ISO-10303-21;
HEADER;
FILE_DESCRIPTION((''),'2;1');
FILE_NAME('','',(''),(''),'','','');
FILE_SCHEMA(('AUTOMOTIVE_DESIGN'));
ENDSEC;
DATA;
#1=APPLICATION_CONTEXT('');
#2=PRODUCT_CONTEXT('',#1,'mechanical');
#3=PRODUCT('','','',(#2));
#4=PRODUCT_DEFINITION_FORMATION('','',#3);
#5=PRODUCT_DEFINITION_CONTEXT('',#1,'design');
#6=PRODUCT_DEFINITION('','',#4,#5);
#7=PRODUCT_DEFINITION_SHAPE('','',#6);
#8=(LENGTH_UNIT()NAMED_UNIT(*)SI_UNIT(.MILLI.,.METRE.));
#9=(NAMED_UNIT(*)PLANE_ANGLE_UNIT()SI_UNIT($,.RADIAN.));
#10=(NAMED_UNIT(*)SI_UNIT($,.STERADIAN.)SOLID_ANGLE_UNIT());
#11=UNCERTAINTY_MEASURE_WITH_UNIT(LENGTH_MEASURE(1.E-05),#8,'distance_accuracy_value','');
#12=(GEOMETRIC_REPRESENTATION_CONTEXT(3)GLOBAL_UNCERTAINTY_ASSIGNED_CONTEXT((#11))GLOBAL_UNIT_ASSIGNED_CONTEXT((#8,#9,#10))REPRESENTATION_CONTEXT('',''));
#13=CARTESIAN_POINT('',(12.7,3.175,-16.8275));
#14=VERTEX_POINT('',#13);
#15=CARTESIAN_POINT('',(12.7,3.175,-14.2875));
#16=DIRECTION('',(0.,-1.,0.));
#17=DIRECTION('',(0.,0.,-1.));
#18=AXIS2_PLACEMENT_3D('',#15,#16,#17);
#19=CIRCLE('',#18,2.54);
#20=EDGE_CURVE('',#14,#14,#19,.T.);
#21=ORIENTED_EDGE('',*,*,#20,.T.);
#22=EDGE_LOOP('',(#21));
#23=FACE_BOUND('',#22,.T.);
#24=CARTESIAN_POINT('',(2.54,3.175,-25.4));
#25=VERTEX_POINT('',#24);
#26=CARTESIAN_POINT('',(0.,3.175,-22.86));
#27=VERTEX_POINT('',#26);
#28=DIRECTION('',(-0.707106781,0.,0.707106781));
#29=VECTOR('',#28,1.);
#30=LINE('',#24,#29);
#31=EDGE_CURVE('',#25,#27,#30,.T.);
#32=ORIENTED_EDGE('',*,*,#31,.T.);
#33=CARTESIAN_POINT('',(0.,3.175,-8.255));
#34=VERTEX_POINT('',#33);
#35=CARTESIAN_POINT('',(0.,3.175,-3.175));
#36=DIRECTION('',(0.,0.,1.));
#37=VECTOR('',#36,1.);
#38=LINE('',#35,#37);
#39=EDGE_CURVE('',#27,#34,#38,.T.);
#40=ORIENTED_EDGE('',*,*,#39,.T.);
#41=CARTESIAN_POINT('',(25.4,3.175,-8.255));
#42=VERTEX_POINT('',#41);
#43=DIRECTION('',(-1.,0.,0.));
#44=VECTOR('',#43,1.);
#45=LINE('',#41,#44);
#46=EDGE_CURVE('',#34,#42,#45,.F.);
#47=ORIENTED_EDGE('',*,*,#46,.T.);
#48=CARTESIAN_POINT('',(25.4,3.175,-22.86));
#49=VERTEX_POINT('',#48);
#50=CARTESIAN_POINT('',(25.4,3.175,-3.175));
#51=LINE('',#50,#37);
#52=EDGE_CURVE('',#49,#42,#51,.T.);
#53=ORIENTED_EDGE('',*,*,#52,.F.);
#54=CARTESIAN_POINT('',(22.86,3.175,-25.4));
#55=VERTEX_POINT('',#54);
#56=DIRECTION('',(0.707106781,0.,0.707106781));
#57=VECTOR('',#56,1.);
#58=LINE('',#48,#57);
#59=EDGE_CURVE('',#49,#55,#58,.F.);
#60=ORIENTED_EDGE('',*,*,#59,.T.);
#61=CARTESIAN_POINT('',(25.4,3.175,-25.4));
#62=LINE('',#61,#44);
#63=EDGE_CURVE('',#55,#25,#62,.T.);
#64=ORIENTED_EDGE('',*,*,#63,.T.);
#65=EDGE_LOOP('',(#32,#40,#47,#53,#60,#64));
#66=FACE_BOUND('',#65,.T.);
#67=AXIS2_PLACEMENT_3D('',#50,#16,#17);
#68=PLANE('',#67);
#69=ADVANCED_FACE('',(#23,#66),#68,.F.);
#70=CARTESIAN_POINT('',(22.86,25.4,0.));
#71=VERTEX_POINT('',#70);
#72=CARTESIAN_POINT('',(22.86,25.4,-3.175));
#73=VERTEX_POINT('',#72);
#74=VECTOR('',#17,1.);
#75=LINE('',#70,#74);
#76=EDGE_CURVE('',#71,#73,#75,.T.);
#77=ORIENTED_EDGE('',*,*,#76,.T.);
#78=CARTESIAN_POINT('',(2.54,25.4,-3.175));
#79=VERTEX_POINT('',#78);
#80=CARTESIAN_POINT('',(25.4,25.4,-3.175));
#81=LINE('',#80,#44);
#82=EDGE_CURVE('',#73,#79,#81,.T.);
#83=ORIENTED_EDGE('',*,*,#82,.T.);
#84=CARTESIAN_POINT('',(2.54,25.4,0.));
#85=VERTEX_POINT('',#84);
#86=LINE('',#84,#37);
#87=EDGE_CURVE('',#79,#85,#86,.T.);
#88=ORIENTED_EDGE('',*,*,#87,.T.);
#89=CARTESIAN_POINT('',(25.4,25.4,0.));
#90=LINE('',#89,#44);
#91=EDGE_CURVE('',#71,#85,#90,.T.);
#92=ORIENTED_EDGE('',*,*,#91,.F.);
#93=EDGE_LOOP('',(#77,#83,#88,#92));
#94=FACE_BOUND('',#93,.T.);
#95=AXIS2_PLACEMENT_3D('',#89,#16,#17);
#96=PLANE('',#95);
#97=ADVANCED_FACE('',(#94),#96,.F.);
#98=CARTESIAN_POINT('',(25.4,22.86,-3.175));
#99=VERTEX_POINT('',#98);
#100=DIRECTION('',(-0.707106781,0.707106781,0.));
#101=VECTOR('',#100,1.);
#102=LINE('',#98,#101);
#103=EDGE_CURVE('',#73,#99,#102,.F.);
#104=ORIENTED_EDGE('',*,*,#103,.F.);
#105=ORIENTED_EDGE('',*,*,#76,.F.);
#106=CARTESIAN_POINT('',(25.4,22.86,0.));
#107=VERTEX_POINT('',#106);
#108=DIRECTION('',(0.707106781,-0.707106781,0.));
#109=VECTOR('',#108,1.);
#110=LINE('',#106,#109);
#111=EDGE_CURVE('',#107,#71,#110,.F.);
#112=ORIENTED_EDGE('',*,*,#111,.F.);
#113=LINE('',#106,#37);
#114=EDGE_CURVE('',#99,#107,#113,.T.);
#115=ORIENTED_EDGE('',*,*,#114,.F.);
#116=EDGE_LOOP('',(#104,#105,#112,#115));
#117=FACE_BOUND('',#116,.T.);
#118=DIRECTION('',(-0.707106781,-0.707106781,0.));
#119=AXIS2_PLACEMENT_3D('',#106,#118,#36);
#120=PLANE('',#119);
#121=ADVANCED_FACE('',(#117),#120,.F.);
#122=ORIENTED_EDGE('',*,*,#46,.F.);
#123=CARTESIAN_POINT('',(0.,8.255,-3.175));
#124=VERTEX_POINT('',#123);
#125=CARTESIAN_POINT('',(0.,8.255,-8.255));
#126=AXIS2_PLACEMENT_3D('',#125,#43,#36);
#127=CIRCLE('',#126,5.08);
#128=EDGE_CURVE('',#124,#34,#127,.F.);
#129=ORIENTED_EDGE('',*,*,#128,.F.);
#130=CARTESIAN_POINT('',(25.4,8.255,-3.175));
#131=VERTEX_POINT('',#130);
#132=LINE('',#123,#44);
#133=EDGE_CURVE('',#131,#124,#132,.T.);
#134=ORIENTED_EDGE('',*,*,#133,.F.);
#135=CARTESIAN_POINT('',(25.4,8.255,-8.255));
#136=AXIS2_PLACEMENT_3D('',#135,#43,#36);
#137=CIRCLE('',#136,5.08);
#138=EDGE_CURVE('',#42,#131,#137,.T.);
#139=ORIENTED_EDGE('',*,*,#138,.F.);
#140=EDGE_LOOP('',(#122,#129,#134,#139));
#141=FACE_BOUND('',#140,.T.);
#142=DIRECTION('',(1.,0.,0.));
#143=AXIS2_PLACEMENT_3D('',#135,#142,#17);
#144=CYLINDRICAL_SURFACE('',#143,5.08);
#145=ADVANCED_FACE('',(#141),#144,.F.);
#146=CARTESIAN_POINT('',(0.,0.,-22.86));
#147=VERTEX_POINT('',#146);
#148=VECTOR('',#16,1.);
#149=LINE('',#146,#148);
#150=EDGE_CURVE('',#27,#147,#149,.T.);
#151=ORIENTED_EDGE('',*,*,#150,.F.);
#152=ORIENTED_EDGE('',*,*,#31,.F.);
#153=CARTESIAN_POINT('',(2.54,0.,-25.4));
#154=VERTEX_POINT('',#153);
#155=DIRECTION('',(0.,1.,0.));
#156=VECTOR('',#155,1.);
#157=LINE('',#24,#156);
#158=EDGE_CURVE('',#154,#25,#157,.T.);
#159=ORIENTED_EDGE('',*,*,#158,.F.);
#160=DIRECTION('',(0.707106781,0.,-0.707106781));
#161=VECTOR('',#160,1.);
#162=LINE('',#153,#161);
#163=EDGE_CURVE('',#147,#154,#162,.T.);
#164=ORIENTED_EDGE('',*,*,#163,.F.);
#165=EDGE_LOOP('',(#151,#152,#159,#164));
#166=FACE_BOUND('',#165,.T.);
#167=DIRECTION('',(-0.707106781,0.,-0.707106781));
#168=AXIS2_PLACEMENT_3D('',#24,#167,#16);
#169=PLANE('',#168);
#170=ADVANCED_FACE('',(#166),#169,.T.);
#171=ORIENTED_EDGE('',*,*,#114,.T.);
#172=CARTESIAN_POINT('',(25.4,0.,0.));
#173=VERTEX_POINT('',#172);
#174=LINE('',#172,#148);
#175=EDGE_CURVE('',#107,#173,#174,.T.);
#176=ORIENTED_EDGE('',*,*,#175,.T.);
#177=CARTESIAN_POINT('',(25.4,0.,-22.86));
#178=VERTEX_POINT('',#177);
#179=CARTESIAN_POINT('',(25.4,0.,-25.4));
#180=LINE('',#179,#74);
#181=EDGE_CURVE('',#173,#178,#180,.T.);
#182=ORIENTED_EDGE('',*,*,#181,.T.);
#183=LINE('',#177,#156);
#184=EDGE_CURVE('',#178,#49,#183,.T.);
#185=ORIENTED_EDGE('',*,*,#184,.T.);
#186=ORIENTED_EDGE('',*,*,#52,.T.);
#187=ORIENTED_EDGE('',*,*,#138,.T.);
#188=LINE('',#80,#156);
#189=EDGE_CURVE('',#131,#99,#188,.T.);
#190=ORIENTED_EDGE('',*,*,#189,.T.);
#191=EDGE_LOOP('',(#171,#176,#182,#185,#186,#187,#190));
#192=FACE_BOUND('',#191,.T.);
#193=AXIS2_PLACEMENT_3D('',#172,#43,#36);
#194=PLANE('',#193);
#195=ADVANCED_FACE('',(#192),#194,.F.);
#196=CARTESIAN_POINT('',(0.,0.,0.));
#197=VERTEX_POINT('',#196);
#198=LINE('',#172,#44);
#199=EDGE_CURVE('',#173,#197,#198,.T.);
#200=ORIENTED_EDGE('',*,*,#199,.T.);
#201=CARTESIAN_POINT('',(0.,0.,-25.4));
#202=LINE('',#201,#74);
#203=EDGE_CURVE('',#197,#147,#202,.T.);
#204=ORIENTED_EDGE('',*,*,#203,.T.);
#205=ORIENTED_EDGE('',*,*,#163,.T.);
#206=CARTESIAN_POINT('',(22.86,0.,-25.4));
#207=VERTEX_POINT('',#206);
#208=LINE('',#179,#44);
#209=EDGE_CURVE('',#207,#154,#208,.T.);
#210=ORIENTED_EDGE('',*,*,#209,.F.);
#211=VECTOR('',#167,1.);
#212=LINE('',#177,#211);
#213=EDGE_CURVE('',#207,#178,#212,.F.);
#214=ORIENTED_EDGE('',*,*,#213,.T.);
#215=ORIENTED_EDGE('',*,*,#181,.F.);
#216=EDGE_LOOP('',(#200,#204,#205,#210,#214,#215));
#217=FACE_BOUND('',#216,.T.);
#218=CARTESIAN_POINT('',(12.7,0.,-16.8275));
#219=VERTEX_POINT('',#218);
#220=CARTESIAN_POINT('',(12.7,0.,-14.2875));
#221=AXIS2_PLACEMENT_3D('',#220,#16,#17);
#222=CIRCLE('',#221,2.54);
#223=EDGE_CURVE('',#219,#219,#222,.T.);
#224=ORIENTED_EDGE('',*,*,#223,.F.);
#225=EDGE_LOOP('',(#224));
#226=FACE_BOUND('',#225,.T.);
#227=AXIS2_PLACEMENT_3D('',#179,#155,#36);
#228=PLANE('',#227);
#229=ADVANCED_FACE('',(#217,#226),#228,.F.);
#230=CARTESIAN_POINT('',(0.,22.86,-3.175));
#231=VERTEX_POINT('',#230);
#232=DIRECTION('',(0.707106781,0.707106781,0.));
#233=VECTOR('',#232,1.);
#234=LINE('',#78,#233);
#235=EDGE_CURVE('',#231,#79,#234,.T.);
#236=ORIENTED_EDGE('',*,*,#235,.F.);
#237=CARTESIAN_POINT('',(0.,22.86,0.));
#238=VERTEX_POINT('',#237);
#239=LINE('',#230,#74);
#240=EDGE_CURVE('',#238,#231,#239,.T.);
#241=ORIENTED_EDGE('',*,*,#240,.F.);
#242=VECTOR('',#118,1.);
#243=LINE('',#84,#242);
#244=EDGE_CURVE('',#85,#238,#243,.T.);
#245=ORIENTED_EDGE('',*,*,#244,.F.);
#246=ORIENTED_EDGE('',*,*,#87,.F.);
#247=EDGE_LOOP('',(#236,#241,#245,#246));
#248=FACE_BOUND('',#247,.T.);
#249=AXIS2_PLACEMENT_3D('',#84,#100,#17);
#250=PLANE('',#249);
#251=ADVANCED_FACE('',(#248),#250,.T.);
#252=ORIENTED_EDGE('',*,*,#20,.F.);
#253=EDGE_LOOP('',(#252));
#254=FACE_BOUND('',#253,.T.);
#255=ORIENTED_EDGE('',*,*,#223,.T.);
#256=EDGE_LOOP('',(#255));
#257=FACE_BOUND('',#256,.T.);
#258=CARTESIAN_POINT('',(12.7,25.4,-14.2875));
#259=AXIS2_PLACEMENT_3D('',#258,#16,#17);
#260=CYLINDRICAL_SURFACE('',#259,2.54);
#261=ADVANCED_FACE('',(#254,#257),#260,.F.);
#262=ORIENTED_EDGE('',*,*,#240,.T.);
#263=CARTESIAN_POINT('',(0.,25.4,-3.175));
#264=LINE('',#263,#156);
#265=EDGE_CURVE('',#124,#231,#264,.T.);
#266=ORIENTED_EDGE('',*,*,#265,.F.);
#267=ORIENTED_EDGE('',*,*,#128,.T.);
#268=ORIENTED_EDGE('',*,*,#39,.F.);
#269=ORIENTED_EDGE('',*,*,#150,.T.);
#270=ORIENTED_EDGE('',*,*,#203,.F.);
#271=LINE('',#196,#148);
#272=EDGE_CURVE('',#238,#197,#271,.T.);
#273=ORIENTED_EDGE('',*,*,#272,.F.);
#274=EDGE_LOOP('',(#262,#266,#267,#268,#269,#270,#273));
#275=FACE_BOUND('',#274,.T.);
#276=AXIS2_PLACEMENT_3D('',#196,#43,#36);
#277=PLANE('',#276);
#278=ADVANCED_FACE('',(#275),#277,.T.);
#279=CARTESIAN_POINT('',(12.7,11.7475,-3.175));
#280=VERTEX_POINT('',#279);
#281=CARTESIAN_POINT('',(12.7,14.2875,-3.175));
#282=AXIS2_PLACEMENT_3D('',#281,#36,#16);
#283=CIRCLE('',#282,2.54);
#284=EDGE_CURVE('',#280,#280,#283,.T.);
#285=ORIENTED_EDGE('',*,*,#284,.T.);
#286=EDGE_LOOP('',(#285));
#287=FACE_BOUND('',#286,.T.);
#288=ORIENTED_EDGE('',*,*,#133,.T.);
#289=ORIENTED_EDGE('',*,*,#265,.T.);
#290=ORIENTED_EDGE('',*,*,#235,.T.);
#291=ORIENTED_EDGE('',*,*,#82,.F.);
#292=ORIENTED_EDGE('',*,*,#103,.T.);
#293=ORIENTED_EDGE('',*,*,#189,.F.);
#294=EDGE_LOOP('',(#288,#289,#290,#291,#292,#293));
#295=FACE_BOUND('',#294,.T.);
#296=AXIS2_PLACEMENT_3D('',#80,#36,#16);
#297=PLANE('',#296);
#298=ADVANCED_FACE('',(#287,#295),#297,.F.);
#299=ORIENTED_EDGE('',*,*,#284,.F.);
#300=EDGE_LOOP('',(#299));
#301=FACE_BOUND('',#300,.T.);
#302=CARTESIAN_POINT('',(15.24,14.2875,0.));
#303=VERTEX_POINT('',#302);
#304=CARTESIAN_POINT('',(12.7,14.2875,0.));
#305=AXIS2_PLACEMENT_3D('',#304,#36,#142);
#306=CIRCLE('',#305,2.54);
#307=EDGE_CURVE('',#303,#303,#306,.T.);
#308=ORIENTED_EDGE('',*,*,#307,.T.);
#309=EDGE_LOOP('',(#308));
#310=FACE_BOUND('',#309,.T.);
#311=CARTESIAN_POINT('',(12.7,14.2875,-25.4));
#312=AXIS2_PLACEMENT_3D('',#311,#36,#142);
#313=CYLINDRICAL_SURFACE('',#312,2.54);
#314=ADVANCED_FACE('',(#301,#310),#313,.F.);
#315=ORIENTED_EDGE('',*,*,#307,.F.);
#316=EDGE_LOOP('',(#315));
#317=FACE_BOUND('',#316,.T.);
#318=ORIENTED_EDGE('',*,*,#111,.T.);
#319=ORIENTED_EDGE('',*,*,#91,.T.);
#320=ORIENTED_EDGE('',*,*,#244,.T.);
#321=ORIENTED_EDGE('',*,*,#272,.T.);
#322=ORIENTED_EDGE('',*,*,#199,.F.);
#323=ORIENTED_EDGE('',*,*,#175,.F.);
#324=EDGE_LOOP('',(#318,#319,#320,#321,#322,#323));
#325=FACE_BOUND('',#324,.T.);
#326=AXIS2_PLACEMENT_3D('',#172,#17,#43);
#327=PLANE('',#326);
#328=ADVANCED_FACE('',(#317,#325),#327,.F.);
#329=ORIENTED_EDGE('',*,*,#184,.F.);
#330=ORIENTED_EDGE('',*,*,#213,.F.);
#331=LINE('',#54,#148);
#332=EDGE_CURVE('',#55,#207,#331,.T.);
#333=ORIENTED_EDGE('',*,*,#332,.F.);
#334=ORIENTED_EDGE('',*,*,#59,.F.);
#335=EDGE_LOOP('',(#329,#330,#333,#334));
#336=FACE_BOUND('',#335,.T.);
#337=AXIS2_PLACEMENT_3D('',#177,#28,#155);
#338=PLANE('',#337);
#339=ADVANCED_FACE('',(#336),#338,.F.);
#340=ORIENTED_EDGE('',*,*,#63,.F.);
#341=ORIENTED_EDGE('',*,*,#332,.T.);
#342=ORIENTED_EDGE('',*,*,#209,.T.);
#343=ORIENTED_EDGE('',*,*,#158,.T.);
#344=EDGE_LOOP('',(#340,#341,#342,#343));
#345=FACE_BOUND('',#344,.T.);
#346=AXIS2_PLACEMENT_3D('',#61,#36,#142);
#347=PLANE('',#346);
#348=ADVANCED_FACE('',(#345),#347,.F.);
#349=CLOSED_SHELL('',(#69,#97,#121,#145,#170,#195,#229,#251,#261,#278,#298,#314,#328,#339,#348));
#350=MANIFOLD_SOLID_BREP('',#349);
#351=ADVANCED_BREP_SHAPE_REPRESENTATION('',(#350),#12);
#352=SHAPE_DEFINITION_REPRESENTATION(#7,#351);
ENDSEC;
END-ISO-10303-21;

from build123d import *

# Parameters (mm, degrees)
BOSS_EXTRUDE1_DEPTH = 25.4
SKETCH2_R           = 2.54
CUT_EXTRUDE1_DEPTH  = 44.994090512
SKETCH3_R           = 2.54
CUT_EXTRUDE2_DEPTH  = 44.994090512
FILLET1_R           = 5.08
CHAMFER1_SIZE       = 2.54


with BuildPart() as part:
    # Sketch1 → Boss-Extrude1 (new body)
    with BuildSketch(Plane(origin=(0, 0, 0), x_dir=(0, 0, -1), z_dir=(1, 0, 0))):
        Polygon((0, 0), (0, 25.4), (3.175, 25.4), (3.175, 3.175), (25.4, 3.175), (25.4, 0), align=None)
    extrude(amount=BOSS_EXTRUDE1_DEPTH)

    # Sketch2 → Cut-Extrude1 (cut, through all)
    with BuildSketch(Plane.XY):
        with Locations((12.7, 14.2875)):
            Circle(SKETCH2_R)
    extrude(amount=-CUT_EXTRUDE1_DEPTH, mode=Mode.SUBTRACT)

    # Sketch3 → Cut-Extrude2 (cut, through all)
    with BuildSketch(Plane.XZ):
        with Locations(Location((12.7, -14.2875, 0), (0, 0, 270))):
            Circle(SKETCH3_R)
    extrude(amount=-CUT_EXTRUDE2_DEPTH, mode=Mode.SUBTRACT)

    # Fillet1
    fillet1_edges = [part.edges().sort_by_distance(p)[0] for p in [
        (12.7, 3.175, -3.175),
    ]]
    fillet(fillet1_edges, radius=FILLET1_R)

    # Chamfer1
    chamfer1_edges = [part.edges().sort_by_distance(p)[0] for p in [
        (25.4, 25.4, -1.5875),
        (0, 25.4, -1.5875),
        (0, 1.5875, -25.4),
        (25.4, 1.5875, -25.4),
    ]]
    chamfer(chamfer1_edges, length=CHAMFER1_SIZE)


solid = part.part
